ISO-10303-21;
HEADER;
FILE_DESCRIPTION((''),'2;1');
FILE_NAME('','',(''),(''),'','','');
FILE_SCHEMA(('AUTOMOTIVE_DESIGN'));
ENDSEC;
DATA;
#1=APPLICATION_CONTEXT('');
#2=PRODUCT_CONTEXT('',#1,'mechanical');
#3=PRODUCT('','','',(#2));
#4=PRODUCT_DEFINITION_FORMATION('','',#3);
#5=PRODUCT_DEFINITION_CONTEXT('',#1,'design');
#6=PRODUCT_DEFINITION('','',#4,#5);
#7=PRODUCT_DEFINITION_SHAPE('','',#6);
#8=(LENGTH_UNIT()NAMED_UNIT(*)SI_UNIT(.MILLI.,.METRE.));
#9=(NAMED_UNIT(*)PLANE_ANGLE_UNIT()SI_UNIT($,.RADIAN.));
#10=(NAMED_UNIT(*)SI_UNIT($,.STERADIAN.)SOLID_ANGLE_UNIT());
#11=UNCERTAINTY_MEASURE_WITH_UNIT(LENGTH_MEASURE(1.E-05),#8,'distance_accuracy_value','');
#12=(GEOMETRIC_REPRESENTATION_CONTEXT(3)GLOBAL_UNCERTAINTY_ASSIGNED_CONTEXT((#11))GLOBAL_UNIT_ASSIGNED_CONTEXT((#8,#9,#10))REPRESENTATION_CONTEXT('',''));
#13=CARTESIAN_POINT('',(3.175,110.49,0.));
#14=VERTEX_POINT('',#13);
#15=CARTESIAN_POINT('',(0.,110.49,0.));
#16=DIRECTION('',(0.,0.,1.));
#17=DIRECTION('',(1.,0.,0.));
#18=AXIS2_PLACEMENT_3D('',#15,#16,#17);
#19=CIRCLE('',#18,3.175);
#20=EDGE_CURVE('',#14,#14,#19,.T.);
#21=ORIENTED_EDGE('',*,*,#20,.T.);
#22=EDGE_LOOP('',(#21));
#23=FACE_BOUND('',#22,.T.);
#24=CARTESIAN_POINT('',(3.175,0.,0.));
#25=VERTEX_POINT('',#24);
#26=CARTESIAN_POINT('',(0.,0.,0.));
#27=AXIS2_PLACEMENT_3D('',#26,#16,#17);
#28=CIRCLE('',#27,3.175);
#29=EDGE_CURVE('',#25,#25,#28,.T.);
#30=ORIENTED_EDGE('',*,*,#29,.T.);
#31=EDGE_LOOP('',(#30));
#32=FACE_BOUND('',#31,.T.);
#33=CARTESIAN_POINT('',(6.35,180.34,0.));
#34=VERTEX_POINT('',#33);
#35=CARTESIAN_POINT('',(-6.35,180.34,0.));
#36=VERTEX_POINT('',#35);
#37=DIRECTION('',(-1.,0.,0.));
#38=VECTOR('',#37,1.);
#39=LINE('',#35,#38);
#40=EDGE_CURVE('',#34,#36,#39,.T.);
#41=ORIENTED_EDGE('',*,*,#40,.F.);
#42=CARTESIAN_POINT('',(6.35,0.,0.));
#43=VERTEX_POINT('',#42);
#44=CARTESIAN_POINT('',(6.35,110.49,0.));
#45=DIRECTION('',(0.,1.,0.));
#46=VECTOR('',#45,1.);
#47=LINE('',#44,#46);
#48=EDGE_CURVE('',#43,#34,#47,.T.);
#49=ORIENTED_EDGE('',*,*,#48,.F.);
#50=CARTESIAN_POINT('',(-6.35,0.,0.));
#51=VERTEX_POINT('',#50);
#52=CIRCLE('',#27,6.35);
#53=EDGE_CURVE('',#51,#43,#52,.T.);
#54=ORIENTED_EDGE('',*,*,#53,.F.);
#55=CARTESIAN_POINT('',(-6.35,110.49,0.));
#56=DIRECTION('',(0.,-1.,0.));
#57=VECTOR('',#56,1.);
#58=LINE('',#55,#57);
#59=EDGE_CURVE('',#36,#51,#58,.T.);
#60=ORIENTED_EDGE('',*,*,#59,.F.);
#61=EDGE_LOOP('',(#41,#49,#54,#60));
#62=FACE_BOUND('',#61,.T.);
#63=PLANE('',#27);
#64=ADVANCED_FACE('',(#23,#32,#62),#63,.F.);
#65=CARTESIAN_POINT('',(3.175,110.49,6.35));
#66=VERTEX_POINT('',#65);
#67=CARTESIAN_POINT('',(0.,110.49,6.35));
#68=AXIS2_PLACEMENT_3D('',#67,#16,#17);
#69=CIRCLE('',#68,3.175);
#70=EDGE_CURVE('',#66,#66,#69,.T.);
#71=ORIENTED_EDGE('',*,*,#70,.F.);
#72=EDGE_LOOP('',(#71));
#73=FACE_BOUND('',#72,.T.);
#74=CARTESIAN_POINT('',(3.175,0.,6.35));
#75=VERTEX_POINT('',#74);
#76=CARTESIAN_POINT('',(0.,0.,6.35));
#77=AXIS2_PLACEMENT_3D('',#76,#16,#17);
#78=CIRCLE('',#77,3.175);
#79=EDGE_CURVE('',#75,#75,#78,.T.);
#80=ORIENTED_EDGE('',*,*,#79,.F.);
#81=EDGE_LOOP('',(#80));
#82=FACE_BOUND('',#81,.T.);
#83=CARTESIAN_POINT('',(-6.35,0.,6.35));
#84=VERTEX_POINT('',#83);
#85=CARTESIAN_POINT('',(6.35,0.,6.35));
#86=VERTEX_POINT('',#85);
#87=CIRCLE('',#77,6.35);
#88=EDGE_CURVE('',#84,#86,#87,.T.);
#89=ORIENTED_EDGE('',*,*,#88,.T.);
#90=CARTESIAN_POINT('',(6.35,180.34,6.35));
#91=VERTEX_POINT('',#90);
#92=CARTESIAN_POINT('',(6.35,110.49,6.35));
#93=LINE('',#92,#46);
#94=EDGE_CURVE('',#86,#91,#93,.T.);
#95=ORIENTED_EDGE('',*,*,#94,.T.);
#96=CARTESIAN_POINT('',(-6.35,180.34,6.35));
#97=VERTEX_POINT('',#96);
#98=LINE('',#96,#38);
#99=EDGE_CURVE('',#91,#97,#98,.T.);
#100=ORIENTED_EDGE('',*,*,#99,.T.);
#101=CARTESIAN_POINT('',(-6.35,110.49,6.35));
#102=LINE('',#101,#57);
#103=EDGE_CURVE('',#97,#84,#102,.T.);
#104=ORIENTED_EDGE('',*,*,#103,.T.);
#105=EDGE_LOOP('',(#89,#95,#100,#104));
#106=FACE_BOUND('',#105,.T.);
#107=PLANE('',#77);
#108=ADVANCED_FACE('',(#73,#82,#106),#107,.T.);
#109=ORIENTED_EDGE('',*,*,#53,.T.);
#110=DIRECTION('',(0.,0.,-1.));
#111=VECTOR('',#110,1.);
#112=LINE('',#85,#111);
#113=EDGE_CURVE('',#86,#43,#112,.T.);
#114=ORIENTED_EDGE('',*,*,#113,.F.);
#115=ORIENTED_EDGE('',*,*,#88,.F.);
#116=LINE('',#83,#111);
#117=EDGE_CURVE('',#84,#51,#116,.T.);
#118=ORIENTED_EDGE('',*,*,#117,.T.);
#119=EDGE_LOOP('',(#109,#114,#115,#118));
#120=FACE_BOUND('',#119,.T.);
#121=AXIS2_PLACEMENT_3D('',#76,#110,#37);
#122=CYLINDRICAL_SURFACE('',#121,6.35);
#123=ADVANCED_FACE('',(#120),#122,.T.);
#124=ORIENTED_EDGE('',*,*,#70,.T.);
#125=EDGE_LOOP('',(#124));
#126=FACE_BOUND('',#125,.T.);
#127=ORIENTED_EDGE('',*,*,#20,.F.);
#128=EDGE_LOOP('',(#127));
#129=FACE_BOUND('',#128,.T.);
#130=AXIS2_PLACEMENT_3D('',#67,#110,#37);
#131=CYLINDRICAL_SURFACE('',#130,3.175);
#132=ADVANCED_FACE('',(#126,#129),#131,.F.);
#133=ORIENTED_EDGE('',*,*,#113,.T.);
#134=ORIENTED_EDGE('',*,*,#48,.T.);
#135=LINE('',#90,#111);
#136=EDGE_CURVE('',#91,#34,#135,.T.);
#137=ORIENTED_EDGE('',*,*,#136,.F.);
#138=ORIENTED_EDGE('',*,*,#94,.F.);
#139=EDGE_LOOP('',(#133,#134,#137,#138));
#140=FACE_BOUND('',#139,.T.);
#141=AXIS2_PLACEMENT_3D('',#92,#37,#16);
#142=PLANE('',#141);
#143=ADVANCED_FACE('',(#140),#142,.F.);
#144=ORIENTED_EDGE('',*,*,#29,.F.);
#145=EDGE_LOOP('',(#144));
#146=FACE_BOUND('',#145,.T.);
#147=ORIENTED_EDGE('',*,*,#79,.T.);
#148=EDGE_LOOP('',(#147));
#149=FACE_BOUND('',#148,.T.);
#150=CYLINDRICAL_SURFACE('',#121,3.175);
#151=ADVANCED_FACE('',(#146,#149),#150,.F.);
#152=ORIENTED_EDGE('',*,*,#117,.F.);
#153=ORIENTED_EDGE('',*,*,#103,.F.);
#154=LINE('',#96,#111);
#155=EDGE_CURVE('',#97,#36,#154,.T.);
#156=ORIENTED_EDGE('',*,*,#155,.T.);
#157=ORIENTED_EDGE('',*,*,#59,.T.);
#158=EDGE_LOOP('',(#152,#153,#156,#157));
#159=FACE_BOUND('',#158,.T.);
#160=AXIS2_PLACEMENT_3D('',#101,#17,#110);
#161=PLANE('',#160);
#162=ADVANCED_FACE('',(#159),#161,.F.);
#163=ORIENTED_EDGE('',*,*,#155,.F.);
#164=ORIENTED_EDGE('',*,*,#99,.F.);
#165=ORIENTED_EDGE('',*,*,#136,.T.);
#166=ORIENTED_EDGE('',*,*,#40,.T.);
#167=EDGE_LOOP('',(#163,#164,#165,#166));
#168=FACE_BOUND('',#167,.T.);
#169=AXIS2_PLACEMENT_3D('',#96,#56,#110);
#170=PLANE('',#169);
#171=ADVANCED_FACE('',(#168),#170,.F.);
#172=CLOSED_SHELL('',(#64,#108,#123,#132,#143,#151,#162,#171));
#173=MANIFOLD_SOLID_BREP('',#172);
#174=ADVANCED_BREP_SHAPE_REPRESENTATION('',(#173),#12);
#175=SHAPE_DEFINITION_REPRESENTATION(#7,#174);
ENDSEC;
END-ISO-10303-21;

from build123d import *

# Parameters (mm, degrees)
SKETCH1_R           = 3.175
BOSS_EXTRUDE1_DEPTH = 6.35


with BuildPart() as part:
    # Sketch1 → Boss-Extrude1 (new body)
    with BuildSketch(Plane.XY):
        with BuildLine():
            Line((-6.35, 110.49), (-6.35, 0))
            ThreePointArc((-6.35, 0), (0, -6.35), (6.35, 0))
            Line((6.35, 0), (6.35, 110.49))
            Line((6.35, 110.49), (6.35, 180.34))
            Line((6.35, 180.34), (-6.35, 180.34))
            Line((-6.35, 180.34), (-6.35, 110.49))
        make_face()
        with Locations((0, 110.49)):
            Circle(SKETCH1_R, mode=Mode.SUBTRACT)
        Circle(SKETCH1_R, mode=Mode.SUBTRACT)
    extrude(amount=BOSS_EXTRUDE1_DEPTH)


solid = part.part
